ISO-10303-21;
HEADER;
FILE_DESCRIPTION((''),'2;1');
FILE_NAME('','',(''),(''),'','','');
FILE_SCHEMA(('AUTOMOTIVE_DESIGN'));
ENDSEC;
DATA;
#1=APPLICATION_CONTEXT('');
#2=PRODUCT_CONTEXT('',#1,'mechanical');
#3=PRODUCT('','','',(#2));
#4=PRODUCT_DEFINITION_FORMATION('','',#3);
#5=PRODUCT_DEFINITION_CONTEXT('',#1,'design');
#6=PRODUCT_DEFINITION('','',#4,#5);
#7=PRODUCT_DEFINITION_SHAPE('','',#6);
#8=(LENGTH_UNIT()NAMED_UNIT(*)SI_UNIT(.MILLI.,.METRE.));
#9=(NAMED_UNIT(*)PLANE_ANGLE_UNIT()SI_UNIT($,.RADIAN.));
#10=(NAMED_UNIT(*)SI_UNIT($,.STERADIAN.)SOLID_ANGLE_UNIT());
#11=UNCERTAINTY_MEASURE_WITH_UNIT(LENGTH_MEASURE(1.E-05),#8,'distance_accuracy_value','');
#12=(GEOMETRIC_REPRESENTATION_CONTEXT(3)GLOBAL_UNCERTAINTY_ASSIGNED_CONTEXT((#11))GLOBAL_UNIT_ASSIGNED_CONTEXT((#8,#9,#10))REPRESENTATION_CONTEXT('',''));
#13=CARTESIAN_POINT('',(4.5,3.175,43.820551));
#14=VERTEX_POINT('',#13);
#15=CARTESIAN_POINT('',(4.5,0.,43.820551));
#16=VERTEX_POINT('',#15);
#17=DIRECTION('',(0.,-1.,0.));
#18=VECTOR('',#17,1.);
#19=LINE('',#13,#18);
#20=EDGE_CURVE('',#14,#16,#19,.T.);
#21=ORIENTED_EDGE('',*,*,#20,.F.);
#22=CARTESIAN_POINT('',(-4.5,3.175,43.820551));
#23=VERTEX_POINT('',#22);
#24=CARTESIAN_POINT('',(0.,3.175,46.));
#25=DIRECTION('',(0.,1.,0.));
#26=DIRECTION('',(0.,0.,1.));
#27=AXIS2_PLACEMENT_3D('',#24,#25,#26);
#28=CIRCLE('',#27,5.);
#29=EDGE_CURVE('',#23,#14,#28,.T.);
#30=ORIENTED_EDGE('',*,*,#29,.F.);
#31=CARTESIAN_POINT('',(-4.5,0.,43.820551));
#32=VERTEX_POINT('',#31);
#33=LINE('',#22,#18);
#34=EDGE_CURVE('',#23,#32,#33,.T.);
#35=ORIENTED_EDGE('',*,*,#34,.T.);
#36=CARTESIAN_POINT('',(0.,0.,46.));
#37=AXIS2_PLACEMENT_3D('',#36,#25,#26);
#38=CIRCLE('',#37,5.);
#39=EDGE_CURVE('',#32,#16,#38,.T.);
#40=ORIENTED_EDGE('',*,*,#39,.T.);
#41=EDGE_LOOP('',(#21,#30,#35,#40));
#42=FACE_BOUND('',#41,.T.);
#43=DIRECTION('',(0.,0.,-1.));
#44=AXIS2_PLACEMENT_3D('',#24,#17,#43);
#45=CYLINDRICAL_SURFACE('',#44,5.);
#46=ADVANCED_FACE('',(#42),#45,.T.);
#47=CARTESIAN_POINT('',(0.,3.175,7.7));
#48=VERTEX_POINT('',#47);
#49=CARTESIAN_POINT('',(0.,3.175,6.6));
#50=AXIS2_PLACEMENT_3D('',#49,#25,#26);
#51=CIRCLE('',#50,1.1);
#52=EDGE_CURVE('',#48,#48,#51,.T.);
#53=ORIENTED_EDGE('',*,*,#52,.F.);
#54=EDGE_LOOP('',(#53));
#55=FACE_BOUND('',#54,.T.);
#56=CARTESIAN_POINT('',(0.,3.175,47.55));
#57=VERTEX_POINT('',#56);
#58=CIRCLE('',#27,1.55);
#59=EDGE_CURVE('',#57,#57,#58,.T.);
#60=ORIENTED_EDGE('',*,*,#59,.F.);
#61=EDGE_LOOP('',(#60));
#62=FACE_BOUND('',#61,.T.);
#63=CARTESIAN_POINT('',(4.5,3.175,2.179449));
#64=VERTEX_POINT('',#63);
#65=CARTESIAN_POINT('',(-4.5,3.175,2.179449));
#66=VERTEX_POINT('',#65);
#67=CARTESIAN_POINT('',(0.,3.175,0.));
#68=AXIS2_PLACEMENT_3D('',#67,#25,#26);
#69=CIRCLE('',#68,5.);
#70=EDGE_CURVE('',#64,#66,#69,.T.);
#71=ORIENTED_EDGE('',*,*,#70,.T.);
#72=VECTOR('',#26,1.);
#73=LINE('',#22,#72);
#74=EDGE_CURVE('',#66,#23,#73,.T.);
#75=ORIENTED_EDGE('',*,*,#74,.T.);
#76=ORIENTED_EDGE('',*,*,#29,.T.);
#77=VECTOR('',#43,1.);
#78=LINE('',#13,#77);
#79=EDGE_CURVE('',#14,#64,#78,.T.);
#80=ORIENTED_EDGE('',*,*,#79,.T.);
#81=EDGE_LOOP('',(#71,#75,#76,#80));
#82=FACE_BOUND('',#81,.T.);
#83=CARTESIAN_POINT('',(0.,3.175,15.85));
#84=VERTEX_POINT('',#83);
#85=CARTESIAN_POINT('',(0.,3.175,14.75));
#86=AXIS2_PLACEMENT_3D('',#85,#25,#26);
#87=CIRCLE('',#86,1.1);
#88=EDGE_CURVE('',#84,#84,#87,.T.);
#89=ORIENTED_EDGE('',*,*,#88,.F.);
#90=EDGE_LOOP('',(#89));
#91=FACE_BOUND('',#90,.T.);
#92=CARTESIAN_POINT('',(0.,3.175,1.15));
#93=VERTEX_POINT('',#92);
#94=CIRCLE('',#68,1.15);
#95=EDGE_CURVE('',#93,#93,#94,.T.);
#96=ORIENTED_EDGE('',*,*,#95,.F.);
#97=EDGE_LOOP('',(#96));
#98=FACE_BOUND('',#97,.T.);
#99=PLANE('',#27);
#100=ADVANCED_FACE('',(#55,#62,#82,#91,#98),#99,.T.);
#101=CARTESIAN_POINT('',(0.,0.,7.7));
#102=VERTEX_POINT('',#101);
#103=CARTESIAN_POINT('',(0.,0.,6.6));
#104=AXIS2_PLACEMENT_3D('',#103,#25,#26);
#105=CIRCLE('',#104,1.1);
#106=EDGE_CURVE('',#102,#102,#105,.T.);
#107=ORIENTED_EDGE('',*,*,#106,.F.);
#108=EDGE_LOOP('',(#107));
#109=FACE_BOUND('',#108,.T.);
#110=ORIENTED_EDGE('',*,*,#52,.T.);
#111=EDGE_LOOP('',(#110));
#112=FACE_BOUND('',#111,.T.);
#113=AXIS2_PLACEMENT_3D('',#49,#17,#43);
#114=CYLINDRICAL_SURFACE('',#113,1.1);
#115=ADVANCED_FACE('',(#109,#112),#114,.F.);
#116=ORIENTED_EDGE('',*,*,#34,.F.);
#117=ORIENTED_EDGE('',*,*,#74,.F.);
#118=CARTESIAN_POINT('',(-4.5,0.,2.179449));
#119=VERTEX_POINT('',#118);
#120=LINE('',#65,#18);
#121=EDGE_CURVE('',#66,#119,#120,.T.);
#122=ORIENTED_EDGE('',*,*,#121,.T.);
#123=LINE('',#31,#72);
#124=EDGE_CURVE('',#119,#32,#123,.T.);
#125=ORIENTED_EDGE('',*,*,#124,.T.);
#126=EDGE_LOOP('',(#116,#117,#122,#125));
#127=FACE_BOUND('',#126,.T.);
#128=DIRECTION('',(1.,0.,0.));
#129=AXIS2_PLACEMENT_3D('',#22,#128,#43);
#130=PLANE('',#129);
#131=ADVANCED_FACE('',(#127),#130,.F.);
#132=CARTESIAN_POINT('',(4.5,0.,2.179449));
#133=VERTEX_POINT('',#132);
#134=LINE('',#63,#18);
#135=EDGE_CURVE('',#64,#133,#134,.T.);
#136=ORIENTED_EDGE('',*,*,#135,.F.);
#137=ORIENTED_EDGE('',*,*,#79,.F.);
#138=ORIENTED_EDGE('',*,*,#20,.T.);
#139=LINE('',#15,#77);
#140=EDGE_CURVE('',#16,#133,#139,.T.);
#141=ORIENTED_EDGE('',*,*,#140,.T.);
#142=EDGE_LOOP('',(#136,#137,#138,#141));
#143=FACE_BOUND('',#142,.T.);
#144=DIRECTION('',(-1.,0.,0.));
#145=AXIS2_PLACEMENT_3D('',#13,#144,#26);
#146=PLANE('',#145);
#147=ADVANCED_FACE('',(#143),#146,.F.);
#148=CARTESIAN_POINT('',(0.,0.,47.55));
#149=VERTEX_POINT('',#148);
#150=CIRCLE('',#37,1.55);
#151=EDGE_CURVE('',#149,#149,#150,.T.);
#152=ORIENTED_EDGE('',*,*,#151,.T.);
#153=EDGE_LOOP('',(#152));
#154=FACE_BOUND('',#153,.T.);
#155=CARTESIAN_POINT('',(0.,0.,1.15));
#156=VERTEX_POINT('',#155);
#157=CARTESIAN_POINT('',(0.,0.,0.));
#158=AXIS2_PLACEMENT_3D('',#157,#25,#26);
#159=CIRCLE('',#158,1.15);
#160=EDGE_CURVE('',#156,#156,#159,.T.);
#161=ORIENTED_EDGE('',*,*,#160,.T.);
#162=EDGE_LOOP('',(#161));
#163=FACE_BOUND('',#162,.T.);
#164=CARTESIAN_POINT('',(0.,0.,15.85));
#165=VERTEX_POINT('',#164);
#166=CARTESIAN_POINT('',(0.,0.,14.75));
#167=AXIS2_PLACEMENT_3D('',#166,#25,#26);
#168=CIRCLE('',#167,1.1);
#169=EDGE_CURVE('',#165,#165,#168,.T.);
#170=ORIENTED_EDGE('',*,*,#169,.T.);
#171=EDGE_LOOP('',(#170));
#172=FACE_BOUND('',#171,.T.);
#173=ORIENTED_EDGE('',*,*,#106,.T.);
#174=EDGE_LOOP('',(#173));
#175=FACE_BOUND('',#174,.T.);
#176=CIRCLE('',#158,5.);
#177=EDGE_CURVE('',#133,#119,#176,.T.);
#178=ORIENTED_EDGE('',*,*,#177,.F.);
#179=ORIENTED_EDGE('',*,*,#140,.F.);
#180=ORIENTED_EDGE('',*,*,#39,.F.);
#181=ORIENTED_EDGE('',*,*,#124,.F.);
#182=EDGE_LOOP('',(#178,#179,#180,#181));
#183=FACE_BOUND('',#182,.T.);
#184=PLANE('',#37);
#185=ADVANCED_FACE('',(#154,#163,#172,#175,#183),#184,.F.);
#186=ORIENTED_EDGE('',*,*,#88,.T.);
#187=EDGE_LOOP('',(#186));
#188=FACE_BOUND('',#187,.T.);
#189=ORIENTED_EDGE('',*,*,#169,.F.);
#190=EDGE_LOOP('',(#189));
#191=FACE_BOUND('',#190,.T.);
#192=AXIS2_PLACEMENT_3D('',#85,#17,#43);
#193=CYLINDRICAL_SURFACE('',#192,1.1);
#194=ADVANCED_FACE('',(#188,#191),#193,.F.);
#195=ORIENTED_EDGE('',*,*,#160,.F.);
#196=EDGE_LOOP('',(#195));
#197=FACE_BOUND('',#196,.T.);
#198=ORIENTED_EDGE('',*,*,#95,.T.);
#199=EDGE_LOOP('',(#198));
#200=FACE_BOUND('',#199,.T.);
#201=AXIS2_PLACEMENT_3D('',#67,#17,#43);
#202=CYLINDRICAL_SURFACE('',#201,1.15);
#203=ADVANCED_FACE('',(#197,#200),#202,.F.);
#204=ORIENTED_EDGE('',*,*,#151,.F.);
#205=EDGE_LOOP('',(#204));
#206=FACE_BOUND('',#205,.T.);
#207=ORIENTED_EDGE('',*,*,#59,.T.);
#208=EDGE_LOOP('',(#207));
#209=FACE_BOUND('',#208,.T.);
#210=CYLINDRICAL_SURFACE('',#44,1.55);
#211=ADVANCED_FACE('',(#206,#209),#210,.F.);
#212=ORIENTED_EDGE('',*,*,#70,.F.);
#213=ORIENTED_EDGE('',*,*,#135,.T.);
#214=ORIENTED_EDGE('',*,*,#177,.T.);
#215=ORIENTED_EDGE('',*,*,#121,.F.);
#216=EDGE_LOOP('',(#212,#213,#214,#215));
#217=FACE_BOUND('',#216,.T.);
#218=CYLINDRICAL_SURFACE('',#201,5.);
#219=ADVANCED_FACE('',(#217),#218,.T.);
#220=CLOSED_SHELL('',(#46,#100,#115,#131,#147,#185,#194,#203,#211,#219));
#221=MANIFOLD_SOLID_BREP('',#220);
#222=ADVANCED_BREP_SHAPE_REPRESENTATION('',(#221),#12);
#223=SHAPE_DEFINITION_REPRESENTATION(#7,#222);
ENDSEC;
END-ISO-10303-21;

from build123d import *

# Parameters (mm, degrees)
SKETCH1_R           = 1.55
SKETCH1_R_2         = 1.1
SKETCH1_R_3         = 1.15
BOSS_EXTRUDE1_DEPTH = 3.175


with BuildPart() as part:
    # Sketch1 → Boss-Extrude1 (new body)
    with BuildSketch(Plane(origin=(0, 0, 0), x_dir=(1, 0, 0), z_dir=(0, 1, 0))):
        with BuildLine():
            Line((-4.5, -43.820550528), (-4.5, -2.179449472))
            ThreePointArc((-4.5, -2.179449472), (0, 5), (4.5, -2.179449472))
            Line((4.5, -2.179449472), (4.5, -43.820550528))
            ThreePointArc((4.5, -43.820550528), (0, -51), (-4.5, -43.820550528))
        make_face()
        with Locations(Location((0, -46, 0), (0, 0, 270))):
            Circle(SKETCH1_R, mode=Mode.SUBTRACT)
        with Locations(Location((0, -6.6, 0), (0, 0, 270))):
            Circle(SKETCH1_R_2, mode=Mode.SUBTRACT)
        with Locations(Location((0, -14.75, 0), (0, 0, 270))):
            Circle(SKETCH1_R_2, mode=Mode.SUBTRACT)
        with Locations(Location((0, 0, 0), (0, 0, 270))):
            Circle(SKETCH1_R_3, mode=Mode.SUBTRACT)
    extrude(amount=BOSS_EXTRUDE1_DEPTH)


solid = part.part
